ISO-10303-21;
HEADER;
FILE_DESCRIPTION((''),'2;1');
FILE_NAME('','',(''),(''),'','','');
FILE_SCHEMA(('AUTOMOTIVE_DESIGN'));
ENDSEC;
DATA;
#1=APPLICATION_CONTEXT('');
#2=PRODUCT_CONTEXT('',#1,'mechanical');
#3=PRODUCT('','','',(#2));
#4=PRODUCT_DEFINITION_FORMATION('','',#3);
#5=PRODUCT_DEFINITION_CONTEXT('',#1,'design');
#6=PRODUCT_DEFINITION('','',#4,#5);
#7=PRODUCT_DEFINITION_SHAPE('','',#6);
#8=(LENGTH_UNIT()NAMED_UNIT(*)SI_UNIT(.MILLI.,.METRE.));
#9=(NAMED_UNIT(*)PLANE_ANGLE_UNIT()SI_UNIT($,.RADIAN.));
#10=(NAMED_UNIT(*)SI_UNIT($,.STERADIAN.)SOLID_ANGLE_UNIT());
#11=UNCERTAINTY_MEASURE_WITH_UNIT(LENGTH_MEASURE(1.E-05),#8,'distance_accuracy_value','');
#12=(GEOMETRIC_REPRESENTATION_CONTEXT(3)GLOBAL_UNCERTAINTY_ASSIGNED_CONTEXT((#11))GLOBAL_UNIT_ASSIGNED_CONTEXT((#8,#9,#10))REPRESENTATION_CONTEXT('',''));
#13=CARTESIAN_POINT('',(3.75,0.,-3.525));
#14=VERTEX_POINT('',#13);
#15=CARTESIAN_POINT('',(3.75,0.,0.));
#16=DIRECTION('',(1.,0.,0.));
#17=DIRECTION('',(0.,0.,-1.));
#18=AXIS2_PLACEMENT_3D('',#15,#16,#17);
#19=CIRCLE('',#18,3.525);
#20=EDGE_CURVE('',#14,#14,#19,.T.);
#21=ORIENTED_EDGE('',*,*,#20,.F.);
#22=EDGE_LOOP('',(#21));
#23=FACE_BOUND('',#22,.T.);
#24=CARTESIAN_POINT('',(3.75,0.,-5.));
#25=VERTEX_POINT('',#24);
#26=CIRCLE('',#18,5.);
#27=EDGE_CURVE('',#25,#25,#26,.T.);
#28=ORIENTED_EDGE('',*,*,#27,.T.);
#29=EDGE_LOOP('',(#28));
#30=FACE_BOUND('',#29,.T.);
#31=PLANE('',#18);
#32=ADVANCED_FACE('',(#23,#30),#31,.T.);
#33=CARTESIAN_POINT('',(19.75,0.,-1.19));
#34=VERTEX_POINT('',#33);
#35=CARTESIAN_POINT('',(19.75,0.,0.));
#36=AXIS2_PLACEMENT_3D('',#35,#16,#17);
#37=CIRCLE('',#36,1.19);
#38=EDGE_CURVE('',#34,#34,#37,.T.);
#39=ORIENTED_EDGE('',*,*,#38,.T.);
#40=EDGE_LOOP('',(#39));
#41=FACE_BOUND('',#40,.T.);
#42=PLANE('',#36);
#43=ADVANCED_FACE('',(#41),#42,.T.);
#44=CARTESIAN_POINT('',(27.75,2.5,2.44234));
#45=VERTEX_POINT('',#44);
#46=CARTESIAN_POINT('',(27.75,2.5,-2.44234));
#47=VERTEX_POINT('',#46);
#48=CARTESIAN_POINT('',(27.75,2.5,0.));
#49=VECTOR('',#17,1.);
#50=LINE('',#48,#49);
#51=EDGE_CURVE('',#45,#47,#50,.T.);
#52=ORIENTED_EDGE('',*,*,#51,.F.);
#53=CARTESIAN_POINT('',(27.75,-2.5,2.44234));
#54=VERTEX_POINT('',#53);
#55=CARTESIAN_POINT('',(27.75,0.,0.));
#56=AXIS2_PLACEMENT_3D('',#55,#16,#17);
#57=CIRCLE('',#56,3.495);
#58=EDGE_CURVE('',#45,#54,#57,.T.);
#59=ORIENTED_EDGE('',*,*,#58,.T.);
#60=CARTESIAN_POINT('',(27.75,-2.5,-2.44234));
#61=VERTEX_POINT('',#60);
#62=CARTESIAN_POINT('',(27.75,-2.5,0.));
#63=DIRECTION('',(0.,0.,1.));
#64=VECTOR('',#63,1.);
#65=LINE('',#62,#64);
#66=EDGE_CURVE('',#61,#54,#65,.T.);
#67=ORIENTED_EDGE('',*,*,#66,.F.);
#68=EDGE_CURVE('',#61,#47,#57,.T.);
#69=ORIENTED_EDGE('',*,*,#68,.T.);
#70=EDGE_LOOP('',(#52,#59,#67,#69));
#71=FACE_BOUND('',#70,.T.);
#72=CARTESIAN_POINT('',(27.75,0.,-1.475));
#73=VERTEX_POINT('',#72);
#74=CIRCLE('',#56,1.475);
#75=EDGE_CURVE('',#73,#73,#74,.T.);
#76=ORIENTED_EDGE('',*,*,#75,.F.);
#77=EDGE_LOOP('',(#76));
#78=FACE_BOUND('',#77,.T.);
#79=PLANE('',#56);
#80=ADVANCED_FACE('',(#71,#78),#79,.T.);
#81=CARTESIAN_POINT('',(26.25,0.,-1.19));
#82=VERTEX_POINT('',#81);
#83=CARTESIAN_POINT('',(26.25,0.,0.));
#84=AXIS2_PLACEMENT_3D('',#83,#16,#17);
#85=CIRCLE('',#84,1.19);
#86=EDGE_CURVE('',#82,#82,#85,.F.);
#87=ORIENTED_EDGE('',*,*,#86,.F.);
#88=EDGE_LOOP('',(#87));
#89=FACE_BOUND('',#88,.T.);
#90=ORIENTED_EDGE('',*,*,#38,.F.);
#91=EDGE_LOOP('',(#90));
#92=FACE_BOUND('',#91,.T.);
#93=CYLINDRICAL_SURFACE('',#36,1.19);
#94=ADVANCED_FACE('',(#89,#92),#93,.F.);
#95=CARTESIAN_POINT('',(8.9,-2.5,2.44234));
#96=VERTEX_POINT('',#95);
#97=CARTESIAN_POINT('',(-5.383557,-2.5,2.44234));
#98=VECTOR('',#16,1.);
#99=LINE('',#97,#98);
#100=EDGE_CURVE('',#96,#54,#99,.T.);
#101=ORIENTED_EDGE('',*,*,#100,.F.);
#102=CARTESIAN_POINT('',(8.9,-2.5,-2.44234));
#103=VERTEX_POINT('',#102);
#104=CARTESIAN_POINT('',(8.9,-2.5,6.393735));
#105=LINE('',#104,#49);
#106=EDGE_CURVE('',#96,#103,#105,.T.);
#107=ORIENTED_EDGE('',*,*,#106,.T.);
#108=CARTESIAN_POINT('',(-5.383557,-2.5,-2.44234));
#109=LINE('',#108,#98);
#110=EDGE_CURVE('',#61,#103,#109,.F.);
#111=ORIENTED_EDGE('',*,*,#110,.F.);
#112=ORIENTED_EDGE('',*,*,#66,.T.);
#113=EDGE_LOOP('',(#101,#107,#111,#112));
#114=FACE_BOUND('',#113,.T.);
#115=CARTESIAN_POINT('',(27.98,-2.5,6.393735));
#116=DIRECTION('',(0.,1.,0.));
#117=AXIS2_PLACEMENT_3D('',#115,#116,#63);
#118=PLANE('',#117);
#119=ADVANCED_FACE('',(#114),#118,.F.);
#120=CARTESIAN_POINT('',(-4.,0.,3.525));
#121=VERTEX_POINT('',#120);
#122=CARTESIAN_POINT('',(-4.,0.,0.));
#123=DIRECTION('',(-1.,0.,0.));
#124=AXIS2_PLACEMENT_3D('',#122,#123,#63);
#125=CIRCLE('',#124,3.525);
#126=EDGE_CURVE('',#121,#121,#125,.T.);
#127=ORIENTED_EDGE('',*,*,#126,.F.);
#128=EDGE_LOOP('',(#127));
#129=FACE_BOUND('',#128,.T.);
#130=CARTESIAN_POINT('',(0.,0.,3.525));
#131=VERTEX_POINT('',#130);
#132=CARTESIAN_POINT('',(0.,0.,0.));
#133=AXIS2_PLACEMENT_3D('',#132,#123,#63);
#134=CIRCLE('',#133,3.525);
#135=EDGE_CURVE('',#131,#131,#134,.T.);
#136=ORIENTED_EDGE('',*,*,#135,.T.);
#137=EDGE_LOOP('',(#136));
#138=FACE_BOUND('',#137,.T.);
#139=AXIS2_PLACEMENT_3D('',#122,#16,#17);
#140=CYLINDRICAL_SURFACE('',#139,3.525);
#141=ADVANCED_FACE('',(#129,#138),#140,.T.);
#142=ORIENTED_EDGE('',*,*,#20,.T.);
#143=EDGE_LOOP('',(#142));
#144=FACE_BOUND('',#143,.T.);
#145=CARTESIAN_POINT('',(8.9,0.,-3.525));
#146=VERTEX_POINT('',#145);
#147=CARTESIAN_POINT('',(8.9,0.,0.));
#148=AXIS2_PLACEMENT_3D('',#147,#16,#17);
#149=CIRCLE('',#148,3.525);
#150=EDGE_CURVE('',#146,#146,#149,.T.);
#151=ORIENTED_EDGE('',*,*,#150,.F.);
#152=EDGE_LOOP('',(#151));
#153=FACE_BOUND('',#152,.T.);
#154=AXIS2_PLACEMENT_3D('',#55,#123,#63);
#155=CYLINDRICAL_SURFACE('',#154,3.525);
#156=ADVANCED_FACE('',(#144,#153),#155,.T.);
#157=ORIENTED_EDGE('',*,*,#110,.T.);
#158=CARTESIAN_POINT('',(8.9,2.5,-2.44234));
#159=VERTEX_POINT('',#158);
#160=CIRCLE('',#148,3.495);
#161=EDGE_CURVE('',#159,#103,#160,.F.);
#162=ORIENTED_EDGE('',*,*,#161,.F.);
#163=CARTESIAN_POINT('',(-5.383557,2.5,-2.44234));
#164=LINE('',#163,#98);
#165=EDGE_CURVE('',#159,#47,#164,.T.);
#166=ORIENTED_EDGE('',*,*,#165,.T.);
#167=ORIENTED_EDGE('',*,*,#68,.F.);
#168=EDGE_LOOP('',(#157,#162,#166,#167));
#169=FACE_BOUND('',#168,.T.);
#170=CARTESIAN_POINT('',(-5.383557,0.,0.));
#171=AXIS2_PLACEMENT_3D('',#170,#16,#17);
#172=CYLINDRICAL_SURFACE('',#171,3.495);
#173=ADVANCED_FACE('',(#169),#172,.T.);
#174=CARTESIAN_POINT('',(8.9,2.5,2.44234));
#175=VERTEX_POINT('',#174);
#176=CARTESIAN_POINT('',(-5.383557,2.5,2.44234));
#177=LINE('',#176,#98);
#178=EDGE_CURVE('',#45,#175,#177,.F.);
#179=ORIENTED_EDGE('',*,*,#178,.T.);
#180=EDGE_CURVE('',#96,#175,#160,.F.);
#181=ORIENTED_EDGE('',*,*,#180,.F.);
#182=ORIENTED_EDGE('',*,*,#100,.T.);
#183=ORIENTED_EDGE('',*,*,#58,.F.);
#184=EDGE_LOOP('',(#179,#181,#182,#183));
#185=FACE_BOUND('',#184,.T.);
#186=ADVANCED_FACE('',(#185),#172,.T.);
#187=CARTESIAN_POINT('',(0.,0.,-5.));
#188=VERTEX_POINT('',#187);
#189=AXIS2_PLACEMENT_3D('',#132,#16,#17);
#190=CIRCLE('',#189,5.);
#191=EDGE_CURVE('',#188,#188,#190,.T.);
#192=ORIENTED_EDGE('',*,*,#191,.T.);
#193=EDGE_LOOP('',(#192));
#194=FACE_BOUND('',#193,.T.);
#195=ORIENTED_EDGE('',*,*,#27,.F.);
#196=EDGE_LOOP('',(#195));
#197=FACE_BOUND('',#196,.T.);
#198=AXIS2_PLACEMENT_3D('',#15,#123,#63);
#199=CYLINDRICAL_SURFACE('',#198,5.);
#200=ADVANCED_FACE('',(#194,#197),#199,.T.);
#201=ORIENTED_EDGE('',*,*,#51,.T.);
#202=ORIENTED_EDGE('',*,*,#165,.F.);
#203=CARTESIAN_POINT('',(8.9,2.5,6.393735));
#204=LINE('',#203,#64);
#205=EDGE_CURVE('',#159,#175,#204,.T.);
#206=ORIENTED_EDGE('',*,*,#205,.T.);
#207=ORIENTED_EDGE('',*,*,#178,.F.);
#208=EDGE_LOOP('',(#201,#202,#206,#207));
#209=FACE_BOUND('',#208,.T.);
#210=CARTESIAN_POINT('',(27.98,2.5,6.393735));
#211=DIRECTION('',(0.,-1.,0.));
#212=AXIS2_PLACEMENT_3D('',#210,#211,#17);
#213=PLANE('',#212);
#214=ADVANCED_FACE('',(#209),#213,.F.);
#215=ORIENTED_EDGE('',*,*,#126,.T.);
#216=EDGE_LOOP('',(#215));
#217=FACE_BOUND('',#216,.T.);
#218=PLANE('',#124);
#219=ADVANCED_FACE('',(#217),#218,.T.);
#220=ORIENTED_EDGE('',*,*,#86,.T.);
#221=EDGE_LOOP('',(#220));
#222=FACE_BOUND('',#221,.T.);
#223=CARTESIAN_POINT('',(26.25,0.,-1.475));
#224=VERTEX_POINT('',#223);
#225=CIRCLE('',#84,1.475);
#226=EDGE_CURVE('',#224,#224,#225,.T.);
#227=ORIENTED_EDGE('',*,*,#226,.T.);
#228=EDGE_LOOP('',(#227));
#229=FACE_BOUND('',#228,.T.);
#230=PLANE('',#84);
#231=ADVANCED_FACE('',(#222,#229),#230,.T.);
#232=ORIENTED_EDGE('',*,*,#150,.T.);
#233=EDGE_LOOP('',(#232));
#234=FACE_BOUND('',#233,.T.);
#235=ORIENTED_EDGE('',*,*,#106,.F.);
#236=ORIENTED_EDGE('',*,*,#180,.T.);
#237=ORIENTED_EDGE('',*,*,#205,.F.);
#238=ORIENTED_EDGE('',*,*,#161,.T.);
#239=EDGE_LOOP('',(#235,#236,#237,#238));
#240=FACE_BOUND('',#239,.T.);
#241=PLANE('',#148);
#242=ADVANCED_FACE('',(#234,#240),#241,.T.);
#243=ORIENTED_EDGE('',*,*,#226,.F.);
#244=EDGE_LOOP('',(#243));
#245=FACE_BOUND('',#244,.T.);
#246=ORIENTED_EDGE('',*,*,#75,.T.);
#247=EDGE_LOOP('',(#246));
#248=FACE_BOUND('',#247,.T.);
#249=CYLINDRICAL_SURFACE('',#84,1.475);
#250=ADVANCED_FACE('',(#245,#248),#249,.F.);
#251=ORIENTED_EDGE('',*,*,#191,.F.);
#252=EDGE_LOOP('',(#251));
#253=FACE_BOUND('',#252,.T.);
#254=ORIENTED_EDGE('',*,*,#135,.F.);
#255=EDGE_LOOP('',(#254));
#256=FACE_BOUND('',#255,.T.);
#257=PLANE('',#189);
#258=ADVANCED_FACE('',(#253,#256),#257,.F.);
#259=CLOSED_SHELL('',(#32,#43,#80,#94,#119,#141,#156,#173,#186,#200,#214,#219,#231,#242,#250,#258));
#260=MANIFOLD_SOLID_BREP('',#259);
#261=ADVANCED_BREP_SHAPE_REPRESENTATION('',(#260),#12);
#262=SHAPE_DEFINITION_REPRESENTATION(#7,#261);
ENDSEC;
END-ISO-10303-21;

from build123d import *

# Parameters (mm, degrees)
SKETCH_2_R           = 5
EXTRUDE_1_DEPTH      = 3.75
SKETCH_3_R           = 3.525
EXTRUDE_2_DEPTH      = 4
EXTRUDE_START        = 24
SKETCH_4_R           = 3.525
EXTRUDE_3_DEPTH      = 24
CUT_EXTRUDE_START    = 5.15
SKETCH_5_OUTSIDE_W   = 18.952
SKETCH_5_OUTSIDE_H   = 18.952
SKETCH_5_OUTSIDE_W_2 = 12.787470862
SKETCH_5_OUTSIDE_H_2 = 5
CUT_EXTRUDE_1_DEPTH  = 19.08
SKETCH_6_R           = 1.19
CUT_EXTRUDE_2_DEPTH  = 8
SKETCH_7_R           = 1.475
CUT_EXTRUDE_3_DEPTH  = 1.5
SKETCH_8_OUTSIDE_W   = 18.952
SKETCH_8_OUTSIDE_H   = 18.952
SKETCH_8_OUTSIDE_R   = 3.495
CUT_EXTRUDE_5_DEPTH  = 18.85


with BuildPart() as part:
    # 草图2 → 凸台-拉伸1 (new body)
    with BuildSketch(Plane(origin=(0, 0, 0), x_dir=(0, 0, -1), z_dir=(1, 0, 0))):
        Circle(SKETCH_2_R)
    extrude(amount=EXTRUDE_1_DEPTH)

    # 草图3 → 凸台-拉伸2 (add)
    with BuildSketch(Plane.ZY):
        Circle(SKETCH_3_R)
    extrude(amount=EXTRUDE_2_DEPTH)

    # 草图4 → 凸台-拉伸3 (add)
    with BuildSketch(Plane(origin=(3.75, 0, 0), x_dir=(0, 0, -1), z_dir=(1, 0, 0)).offset(EXTRUDE_START)):
        with Locations(Location((0, 0, 0), (0, 0, 180))):
            Circle(SKETCH_4_R)
    extrude(amount=-EXTRUDE_3_DEPTH)

    # 草图5 outside → 切除-拉伸1 (cut)
    with BuildSketch(Plane(origin=(3.75, 0, 0), x_dir=(0, 0, -1), z_dir=(1, 0, 0)).offset(CUT_EXTRUDE_START)):
        Rectangle(SKETCH_5_OUTSIDE_W, SKETCH_5_OUTSIDE_H)
        Rectangle(SKETCH_5_OUTSIDE_W_2, SKETCH_5_OUTSIDE_H_2, mode=Mode.SUBTRACT)
    extrude(amount=CUT_EXTRUDE_1_DEPTH, mode=Mode.SUBTRACT)

    # 草图6 → 切除-拉伸2 (cut)
    with BuildSketch(Plane(origin=(27.75, 0, 0), x_dir=(0, 0, -1), z_dir=(1, 0, 0))):
        Circle(SKETCH_6_R)
    extrude(amount=-CUT_EXTRUDE_2_DEPTH, mode=Mode.SUBTRACT)

    # 草图7 → 切除-拉伸3 (cut)
    with BuildSketch(Plane(origin=(27.75, 0, 0), x_dir=(0, 0, -1), z_dir=(1, 0, 0))):
        Circle(SKETCH_7_R)
    extrude(amount=-CUT_EXTRUDE_3_DEPTH, mode=Mode.SUBTRACT)

    # 草图8 outside → 切除-拉伸5 (cut)
    with BuildSketch(Plane(origin=(27.75, 0, 0), x_dir=(0, 0, -1), z_dir=(1, 0, 0))):
        Rectangle(SKETCH_8_OUTSIDE_W, SKETCH_8_OUTSIDE_H)
        Circle(SKETCH_8_OUTSIDE_R, mode=Mode.SUBTRACT)
    extrude(amount=-CUT_EXTRUDE_5_DEPTH, mode=Mode.SUBTRACT)


solid = part.part
